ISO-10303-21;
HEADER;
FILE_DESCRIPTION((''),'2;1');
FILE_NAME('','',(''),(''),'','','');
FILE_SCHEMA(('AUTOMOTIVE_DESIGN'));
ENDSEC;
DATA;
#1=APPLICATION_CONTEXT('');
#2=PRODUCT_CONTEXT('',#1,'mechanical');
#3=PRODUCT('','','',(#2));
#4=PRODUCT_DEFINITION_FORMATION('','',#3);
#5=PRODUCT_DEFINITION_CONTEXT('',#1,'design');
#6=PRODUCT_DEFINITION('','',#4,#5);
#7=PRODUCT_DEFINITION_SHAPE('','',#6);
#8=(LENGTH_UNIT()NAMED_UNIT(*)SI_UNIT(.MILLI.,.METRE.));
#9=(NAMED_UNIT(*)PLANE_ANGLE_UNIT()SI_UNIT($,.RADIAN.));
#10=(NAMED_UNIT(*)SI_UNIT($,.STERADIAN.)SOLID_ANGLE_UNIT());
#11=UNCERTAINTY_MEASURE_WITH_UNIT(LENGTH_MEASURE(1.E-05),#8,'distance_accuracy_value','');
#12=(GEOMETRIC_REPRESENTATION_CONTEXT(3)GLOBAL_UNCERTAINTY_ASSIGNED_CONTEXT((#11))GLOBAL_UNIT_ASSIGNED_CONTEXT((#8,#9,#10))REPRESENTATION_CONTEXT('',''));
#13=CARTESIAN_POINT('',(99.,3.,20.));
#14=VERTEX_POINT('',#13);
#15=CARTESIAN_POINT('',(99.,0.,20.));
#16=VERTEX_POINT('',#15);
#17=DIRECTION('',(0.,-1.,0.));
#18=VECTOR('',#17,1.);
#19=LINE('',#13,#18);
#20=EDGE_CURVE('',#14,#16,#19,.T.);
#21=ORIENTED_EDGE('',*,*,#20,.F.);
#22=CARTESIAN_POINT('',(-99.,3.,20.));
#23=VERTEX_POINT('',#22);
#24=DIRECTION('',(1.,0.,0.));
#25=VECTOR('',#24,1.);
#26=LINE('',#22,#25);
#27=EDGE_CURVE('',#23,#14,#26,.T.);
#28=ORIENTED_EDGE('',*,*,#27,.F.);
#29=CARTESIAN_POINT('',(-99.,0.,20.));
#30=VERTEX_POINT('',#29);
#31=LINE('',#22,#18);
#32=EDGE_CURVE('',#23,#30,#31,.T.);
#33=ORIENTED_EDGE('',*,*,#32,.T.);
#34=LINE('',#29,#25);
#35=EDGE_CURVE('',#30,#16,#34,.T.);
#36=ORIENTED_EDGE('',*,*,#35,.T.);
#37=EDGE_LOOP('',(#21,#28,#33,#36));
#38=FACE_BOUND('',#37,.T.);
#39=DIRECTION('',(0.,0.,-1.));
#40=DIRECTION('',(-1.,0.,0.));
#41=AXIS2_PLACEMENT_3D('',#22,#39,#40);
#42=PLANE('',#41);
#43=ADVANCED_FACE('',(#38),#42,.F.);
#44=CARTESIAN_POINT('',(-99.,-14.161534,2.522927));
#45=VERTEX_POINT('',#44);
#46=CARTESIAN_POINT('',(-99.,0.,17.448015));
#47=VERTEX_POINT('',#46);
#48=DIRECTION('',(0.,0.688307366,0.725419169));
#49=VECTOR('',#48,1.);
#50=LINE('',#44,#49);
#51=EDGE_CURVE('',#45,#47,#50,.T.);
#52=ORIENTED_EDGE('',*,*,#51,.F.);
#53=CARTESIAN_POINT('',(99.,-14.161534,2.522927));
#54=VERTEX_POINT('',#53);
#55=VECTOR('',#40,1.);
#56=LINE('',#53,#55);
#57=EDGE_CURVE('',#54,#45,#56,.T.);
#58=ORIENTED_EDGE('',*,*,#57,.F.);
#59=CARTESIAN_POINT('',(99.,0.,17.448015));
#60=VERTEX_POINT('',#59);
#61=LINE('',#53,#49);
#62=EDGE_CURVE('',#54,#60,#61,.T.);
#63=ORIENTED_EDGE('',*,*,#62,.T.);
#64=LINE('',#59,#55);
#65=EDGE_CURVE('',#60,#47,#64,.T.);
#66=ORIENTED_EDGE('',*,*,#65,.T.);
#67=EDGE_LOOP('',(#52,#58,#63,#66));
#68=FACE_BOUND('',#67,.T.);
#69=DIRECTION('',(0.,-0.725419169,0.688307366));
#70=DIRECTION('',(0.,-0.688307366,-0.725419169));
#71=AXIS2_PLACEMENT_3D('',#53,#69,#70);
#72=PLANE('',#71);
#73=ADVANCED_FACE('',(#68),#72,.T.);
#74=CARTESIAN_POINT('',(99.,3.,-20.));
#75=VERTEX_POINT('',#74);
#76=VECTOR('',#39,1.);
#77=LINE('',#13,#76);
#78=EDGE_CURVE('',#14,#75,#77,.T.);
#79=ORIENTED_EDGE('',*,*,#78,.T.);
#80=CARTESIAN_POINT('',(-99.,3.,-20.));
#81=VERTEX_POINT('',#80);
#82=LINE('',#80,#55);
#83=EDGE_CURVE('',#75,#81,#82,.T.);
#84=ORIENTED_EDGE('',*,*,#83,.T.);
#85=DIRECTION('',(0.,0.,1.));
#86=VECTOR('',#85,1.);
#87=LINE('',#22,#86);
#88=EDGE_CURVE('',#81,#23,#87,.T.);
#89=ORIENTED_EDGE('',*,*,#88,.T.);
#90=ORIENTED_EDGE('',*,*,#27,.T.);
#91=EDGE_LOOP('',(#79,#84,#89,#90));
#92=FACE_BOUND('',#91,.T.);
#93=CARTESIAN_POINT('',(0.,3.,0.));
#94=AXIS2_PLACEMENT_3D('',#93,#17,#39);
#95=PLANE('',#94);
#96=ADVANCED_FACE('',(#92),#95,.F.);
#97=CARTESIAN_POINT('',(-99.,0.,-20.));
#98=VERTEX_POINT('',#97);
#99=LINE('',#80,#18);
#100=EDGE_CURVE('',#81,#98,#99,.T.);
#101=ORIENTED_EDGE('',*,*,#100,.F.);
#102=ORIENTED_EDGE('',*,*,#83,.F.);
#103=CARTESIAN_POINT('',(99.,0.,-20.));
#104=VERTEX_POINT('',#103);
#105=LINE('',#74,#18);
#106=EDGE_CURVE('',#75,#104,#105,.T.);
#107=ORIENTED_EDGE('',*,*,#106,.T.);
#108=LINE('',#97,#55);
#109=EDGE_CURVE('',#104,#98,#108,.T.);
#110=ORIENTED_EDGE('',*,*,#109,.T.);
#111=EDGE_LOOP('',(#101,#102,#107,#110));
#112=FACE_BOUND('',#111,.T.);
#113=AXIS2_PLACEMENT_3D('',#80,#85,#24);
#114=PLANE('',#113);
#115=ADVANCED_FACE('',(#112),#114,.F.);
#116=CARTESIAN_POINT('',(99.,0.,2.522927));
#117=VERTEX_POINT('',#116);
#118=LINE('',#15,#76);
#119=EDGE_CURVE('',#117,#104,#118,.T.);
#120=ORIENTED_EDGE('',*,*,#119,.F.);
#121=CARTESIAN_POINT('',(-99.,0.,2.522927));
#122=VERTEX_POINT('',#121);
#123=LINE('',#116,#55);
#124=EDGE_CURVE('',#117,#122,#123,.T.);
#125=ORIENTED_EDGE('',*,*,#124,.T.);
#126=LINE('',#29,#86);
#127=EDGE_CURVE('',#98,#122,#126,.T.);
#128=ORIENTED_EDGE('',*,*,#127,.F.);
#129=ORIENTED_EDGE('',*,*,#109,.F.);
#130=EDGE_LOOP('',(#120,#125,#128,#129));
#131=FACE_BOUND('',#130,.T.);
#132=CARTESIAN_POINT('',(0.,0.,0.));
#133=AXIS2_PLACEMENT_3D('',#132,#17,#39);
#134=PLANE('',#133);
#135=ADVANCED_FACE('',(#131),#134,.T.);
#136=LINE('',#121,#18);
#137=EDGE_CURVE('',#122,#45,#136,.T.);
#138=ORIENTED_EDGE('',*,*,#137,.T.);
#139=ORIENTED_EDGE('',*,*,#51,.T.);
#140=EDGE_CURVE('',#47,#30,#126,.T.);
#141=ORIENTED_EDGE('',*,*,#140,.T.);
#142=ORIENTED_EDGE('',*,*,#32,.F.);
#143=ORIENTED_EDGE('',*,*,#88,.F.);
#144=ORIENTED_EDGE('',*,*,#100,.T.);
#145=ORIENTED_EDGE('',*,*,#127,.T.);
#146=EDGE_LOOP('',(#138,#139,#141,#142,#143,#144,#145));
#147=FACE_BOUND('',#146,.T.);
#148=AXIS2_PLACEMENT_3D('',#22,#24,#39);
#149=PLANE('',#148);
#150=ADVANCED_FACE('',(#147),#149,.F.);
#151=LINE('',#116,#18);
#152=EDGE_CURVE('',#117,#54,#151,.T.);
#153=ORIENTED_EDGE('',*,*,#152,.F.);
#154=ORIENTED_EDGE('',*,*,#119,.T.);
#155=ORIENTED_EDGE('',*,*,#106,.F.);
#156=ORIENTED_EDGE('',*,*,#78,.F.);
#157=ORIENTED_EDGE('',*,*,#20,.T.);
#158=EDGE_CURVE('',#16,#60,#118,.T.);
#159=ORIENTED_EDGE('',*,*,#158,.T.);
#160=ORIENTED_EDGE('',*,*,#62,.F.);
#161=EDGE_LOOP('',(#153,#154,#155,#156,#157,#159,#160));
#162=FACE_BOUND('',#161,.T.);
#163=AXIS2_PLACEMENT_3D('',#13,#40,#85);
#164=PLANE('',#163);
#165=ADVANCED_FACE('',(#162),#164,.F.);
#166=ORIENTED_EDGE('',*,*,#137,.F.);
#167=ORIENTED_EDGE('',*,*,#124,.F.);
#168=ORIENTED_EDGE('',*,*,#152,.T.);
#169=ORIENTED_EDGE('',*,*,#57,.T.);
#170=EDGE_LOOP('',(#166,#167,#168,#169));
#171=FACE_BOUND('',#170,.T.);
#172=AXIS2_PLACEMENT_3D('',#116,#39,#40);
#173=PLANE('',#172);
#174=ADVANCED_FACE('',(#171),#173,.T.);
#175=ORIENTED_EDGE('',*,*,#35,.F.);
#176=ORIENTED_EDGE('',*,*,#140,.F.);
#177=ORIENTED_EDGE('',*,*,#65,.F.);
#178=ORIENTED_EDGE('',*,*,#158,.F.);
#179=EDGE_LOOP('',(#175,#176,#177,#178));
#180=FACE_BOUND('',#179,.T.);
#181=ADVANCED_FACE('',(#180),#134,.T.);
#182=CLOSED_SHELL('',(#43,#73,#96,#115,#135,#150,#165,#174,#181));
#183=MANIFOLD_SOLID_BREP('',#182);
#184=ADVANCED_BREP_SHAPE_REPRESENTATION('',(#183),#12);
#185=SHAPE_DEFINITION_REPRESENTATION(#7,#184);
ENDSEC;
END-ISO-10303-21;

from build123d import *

# Parameters (mm, degrees)
SKETCH1_W           = 198
SKETCH1_H           = 40
BOSS_EXTRUDE1_DEPTH = 3
BOSS_EXTRUDE2_DEPTH = 198


with BuildPart() as part:
    # Sketch1 → Boss-Extrude1 (new body)
    with BuildSketch(Plane(origin=(0, 0, 0), x_dir=(1, 0, 0), z_dir=(0, 1, 0))):
        Rectangle(SKETCH1_W, SKETCH1_H)
    extrude(amount=BOSS_EXTRUDE1_DEPTH)

    # Sketch2 → Boss-Extrude2 (add)
    with BuildSketch(Plane(origin=(-99, 0, 2.522926574), x_dir=(0, 0, 1), z_dir=(-1, 0, 0))):
        Polygon((0, 0), (0, -14.161533961), (14.925088272, 0), align=None)
    extrude(amount=-BOSS_EXTRUDE2_DEPTH)


solid = part.part
